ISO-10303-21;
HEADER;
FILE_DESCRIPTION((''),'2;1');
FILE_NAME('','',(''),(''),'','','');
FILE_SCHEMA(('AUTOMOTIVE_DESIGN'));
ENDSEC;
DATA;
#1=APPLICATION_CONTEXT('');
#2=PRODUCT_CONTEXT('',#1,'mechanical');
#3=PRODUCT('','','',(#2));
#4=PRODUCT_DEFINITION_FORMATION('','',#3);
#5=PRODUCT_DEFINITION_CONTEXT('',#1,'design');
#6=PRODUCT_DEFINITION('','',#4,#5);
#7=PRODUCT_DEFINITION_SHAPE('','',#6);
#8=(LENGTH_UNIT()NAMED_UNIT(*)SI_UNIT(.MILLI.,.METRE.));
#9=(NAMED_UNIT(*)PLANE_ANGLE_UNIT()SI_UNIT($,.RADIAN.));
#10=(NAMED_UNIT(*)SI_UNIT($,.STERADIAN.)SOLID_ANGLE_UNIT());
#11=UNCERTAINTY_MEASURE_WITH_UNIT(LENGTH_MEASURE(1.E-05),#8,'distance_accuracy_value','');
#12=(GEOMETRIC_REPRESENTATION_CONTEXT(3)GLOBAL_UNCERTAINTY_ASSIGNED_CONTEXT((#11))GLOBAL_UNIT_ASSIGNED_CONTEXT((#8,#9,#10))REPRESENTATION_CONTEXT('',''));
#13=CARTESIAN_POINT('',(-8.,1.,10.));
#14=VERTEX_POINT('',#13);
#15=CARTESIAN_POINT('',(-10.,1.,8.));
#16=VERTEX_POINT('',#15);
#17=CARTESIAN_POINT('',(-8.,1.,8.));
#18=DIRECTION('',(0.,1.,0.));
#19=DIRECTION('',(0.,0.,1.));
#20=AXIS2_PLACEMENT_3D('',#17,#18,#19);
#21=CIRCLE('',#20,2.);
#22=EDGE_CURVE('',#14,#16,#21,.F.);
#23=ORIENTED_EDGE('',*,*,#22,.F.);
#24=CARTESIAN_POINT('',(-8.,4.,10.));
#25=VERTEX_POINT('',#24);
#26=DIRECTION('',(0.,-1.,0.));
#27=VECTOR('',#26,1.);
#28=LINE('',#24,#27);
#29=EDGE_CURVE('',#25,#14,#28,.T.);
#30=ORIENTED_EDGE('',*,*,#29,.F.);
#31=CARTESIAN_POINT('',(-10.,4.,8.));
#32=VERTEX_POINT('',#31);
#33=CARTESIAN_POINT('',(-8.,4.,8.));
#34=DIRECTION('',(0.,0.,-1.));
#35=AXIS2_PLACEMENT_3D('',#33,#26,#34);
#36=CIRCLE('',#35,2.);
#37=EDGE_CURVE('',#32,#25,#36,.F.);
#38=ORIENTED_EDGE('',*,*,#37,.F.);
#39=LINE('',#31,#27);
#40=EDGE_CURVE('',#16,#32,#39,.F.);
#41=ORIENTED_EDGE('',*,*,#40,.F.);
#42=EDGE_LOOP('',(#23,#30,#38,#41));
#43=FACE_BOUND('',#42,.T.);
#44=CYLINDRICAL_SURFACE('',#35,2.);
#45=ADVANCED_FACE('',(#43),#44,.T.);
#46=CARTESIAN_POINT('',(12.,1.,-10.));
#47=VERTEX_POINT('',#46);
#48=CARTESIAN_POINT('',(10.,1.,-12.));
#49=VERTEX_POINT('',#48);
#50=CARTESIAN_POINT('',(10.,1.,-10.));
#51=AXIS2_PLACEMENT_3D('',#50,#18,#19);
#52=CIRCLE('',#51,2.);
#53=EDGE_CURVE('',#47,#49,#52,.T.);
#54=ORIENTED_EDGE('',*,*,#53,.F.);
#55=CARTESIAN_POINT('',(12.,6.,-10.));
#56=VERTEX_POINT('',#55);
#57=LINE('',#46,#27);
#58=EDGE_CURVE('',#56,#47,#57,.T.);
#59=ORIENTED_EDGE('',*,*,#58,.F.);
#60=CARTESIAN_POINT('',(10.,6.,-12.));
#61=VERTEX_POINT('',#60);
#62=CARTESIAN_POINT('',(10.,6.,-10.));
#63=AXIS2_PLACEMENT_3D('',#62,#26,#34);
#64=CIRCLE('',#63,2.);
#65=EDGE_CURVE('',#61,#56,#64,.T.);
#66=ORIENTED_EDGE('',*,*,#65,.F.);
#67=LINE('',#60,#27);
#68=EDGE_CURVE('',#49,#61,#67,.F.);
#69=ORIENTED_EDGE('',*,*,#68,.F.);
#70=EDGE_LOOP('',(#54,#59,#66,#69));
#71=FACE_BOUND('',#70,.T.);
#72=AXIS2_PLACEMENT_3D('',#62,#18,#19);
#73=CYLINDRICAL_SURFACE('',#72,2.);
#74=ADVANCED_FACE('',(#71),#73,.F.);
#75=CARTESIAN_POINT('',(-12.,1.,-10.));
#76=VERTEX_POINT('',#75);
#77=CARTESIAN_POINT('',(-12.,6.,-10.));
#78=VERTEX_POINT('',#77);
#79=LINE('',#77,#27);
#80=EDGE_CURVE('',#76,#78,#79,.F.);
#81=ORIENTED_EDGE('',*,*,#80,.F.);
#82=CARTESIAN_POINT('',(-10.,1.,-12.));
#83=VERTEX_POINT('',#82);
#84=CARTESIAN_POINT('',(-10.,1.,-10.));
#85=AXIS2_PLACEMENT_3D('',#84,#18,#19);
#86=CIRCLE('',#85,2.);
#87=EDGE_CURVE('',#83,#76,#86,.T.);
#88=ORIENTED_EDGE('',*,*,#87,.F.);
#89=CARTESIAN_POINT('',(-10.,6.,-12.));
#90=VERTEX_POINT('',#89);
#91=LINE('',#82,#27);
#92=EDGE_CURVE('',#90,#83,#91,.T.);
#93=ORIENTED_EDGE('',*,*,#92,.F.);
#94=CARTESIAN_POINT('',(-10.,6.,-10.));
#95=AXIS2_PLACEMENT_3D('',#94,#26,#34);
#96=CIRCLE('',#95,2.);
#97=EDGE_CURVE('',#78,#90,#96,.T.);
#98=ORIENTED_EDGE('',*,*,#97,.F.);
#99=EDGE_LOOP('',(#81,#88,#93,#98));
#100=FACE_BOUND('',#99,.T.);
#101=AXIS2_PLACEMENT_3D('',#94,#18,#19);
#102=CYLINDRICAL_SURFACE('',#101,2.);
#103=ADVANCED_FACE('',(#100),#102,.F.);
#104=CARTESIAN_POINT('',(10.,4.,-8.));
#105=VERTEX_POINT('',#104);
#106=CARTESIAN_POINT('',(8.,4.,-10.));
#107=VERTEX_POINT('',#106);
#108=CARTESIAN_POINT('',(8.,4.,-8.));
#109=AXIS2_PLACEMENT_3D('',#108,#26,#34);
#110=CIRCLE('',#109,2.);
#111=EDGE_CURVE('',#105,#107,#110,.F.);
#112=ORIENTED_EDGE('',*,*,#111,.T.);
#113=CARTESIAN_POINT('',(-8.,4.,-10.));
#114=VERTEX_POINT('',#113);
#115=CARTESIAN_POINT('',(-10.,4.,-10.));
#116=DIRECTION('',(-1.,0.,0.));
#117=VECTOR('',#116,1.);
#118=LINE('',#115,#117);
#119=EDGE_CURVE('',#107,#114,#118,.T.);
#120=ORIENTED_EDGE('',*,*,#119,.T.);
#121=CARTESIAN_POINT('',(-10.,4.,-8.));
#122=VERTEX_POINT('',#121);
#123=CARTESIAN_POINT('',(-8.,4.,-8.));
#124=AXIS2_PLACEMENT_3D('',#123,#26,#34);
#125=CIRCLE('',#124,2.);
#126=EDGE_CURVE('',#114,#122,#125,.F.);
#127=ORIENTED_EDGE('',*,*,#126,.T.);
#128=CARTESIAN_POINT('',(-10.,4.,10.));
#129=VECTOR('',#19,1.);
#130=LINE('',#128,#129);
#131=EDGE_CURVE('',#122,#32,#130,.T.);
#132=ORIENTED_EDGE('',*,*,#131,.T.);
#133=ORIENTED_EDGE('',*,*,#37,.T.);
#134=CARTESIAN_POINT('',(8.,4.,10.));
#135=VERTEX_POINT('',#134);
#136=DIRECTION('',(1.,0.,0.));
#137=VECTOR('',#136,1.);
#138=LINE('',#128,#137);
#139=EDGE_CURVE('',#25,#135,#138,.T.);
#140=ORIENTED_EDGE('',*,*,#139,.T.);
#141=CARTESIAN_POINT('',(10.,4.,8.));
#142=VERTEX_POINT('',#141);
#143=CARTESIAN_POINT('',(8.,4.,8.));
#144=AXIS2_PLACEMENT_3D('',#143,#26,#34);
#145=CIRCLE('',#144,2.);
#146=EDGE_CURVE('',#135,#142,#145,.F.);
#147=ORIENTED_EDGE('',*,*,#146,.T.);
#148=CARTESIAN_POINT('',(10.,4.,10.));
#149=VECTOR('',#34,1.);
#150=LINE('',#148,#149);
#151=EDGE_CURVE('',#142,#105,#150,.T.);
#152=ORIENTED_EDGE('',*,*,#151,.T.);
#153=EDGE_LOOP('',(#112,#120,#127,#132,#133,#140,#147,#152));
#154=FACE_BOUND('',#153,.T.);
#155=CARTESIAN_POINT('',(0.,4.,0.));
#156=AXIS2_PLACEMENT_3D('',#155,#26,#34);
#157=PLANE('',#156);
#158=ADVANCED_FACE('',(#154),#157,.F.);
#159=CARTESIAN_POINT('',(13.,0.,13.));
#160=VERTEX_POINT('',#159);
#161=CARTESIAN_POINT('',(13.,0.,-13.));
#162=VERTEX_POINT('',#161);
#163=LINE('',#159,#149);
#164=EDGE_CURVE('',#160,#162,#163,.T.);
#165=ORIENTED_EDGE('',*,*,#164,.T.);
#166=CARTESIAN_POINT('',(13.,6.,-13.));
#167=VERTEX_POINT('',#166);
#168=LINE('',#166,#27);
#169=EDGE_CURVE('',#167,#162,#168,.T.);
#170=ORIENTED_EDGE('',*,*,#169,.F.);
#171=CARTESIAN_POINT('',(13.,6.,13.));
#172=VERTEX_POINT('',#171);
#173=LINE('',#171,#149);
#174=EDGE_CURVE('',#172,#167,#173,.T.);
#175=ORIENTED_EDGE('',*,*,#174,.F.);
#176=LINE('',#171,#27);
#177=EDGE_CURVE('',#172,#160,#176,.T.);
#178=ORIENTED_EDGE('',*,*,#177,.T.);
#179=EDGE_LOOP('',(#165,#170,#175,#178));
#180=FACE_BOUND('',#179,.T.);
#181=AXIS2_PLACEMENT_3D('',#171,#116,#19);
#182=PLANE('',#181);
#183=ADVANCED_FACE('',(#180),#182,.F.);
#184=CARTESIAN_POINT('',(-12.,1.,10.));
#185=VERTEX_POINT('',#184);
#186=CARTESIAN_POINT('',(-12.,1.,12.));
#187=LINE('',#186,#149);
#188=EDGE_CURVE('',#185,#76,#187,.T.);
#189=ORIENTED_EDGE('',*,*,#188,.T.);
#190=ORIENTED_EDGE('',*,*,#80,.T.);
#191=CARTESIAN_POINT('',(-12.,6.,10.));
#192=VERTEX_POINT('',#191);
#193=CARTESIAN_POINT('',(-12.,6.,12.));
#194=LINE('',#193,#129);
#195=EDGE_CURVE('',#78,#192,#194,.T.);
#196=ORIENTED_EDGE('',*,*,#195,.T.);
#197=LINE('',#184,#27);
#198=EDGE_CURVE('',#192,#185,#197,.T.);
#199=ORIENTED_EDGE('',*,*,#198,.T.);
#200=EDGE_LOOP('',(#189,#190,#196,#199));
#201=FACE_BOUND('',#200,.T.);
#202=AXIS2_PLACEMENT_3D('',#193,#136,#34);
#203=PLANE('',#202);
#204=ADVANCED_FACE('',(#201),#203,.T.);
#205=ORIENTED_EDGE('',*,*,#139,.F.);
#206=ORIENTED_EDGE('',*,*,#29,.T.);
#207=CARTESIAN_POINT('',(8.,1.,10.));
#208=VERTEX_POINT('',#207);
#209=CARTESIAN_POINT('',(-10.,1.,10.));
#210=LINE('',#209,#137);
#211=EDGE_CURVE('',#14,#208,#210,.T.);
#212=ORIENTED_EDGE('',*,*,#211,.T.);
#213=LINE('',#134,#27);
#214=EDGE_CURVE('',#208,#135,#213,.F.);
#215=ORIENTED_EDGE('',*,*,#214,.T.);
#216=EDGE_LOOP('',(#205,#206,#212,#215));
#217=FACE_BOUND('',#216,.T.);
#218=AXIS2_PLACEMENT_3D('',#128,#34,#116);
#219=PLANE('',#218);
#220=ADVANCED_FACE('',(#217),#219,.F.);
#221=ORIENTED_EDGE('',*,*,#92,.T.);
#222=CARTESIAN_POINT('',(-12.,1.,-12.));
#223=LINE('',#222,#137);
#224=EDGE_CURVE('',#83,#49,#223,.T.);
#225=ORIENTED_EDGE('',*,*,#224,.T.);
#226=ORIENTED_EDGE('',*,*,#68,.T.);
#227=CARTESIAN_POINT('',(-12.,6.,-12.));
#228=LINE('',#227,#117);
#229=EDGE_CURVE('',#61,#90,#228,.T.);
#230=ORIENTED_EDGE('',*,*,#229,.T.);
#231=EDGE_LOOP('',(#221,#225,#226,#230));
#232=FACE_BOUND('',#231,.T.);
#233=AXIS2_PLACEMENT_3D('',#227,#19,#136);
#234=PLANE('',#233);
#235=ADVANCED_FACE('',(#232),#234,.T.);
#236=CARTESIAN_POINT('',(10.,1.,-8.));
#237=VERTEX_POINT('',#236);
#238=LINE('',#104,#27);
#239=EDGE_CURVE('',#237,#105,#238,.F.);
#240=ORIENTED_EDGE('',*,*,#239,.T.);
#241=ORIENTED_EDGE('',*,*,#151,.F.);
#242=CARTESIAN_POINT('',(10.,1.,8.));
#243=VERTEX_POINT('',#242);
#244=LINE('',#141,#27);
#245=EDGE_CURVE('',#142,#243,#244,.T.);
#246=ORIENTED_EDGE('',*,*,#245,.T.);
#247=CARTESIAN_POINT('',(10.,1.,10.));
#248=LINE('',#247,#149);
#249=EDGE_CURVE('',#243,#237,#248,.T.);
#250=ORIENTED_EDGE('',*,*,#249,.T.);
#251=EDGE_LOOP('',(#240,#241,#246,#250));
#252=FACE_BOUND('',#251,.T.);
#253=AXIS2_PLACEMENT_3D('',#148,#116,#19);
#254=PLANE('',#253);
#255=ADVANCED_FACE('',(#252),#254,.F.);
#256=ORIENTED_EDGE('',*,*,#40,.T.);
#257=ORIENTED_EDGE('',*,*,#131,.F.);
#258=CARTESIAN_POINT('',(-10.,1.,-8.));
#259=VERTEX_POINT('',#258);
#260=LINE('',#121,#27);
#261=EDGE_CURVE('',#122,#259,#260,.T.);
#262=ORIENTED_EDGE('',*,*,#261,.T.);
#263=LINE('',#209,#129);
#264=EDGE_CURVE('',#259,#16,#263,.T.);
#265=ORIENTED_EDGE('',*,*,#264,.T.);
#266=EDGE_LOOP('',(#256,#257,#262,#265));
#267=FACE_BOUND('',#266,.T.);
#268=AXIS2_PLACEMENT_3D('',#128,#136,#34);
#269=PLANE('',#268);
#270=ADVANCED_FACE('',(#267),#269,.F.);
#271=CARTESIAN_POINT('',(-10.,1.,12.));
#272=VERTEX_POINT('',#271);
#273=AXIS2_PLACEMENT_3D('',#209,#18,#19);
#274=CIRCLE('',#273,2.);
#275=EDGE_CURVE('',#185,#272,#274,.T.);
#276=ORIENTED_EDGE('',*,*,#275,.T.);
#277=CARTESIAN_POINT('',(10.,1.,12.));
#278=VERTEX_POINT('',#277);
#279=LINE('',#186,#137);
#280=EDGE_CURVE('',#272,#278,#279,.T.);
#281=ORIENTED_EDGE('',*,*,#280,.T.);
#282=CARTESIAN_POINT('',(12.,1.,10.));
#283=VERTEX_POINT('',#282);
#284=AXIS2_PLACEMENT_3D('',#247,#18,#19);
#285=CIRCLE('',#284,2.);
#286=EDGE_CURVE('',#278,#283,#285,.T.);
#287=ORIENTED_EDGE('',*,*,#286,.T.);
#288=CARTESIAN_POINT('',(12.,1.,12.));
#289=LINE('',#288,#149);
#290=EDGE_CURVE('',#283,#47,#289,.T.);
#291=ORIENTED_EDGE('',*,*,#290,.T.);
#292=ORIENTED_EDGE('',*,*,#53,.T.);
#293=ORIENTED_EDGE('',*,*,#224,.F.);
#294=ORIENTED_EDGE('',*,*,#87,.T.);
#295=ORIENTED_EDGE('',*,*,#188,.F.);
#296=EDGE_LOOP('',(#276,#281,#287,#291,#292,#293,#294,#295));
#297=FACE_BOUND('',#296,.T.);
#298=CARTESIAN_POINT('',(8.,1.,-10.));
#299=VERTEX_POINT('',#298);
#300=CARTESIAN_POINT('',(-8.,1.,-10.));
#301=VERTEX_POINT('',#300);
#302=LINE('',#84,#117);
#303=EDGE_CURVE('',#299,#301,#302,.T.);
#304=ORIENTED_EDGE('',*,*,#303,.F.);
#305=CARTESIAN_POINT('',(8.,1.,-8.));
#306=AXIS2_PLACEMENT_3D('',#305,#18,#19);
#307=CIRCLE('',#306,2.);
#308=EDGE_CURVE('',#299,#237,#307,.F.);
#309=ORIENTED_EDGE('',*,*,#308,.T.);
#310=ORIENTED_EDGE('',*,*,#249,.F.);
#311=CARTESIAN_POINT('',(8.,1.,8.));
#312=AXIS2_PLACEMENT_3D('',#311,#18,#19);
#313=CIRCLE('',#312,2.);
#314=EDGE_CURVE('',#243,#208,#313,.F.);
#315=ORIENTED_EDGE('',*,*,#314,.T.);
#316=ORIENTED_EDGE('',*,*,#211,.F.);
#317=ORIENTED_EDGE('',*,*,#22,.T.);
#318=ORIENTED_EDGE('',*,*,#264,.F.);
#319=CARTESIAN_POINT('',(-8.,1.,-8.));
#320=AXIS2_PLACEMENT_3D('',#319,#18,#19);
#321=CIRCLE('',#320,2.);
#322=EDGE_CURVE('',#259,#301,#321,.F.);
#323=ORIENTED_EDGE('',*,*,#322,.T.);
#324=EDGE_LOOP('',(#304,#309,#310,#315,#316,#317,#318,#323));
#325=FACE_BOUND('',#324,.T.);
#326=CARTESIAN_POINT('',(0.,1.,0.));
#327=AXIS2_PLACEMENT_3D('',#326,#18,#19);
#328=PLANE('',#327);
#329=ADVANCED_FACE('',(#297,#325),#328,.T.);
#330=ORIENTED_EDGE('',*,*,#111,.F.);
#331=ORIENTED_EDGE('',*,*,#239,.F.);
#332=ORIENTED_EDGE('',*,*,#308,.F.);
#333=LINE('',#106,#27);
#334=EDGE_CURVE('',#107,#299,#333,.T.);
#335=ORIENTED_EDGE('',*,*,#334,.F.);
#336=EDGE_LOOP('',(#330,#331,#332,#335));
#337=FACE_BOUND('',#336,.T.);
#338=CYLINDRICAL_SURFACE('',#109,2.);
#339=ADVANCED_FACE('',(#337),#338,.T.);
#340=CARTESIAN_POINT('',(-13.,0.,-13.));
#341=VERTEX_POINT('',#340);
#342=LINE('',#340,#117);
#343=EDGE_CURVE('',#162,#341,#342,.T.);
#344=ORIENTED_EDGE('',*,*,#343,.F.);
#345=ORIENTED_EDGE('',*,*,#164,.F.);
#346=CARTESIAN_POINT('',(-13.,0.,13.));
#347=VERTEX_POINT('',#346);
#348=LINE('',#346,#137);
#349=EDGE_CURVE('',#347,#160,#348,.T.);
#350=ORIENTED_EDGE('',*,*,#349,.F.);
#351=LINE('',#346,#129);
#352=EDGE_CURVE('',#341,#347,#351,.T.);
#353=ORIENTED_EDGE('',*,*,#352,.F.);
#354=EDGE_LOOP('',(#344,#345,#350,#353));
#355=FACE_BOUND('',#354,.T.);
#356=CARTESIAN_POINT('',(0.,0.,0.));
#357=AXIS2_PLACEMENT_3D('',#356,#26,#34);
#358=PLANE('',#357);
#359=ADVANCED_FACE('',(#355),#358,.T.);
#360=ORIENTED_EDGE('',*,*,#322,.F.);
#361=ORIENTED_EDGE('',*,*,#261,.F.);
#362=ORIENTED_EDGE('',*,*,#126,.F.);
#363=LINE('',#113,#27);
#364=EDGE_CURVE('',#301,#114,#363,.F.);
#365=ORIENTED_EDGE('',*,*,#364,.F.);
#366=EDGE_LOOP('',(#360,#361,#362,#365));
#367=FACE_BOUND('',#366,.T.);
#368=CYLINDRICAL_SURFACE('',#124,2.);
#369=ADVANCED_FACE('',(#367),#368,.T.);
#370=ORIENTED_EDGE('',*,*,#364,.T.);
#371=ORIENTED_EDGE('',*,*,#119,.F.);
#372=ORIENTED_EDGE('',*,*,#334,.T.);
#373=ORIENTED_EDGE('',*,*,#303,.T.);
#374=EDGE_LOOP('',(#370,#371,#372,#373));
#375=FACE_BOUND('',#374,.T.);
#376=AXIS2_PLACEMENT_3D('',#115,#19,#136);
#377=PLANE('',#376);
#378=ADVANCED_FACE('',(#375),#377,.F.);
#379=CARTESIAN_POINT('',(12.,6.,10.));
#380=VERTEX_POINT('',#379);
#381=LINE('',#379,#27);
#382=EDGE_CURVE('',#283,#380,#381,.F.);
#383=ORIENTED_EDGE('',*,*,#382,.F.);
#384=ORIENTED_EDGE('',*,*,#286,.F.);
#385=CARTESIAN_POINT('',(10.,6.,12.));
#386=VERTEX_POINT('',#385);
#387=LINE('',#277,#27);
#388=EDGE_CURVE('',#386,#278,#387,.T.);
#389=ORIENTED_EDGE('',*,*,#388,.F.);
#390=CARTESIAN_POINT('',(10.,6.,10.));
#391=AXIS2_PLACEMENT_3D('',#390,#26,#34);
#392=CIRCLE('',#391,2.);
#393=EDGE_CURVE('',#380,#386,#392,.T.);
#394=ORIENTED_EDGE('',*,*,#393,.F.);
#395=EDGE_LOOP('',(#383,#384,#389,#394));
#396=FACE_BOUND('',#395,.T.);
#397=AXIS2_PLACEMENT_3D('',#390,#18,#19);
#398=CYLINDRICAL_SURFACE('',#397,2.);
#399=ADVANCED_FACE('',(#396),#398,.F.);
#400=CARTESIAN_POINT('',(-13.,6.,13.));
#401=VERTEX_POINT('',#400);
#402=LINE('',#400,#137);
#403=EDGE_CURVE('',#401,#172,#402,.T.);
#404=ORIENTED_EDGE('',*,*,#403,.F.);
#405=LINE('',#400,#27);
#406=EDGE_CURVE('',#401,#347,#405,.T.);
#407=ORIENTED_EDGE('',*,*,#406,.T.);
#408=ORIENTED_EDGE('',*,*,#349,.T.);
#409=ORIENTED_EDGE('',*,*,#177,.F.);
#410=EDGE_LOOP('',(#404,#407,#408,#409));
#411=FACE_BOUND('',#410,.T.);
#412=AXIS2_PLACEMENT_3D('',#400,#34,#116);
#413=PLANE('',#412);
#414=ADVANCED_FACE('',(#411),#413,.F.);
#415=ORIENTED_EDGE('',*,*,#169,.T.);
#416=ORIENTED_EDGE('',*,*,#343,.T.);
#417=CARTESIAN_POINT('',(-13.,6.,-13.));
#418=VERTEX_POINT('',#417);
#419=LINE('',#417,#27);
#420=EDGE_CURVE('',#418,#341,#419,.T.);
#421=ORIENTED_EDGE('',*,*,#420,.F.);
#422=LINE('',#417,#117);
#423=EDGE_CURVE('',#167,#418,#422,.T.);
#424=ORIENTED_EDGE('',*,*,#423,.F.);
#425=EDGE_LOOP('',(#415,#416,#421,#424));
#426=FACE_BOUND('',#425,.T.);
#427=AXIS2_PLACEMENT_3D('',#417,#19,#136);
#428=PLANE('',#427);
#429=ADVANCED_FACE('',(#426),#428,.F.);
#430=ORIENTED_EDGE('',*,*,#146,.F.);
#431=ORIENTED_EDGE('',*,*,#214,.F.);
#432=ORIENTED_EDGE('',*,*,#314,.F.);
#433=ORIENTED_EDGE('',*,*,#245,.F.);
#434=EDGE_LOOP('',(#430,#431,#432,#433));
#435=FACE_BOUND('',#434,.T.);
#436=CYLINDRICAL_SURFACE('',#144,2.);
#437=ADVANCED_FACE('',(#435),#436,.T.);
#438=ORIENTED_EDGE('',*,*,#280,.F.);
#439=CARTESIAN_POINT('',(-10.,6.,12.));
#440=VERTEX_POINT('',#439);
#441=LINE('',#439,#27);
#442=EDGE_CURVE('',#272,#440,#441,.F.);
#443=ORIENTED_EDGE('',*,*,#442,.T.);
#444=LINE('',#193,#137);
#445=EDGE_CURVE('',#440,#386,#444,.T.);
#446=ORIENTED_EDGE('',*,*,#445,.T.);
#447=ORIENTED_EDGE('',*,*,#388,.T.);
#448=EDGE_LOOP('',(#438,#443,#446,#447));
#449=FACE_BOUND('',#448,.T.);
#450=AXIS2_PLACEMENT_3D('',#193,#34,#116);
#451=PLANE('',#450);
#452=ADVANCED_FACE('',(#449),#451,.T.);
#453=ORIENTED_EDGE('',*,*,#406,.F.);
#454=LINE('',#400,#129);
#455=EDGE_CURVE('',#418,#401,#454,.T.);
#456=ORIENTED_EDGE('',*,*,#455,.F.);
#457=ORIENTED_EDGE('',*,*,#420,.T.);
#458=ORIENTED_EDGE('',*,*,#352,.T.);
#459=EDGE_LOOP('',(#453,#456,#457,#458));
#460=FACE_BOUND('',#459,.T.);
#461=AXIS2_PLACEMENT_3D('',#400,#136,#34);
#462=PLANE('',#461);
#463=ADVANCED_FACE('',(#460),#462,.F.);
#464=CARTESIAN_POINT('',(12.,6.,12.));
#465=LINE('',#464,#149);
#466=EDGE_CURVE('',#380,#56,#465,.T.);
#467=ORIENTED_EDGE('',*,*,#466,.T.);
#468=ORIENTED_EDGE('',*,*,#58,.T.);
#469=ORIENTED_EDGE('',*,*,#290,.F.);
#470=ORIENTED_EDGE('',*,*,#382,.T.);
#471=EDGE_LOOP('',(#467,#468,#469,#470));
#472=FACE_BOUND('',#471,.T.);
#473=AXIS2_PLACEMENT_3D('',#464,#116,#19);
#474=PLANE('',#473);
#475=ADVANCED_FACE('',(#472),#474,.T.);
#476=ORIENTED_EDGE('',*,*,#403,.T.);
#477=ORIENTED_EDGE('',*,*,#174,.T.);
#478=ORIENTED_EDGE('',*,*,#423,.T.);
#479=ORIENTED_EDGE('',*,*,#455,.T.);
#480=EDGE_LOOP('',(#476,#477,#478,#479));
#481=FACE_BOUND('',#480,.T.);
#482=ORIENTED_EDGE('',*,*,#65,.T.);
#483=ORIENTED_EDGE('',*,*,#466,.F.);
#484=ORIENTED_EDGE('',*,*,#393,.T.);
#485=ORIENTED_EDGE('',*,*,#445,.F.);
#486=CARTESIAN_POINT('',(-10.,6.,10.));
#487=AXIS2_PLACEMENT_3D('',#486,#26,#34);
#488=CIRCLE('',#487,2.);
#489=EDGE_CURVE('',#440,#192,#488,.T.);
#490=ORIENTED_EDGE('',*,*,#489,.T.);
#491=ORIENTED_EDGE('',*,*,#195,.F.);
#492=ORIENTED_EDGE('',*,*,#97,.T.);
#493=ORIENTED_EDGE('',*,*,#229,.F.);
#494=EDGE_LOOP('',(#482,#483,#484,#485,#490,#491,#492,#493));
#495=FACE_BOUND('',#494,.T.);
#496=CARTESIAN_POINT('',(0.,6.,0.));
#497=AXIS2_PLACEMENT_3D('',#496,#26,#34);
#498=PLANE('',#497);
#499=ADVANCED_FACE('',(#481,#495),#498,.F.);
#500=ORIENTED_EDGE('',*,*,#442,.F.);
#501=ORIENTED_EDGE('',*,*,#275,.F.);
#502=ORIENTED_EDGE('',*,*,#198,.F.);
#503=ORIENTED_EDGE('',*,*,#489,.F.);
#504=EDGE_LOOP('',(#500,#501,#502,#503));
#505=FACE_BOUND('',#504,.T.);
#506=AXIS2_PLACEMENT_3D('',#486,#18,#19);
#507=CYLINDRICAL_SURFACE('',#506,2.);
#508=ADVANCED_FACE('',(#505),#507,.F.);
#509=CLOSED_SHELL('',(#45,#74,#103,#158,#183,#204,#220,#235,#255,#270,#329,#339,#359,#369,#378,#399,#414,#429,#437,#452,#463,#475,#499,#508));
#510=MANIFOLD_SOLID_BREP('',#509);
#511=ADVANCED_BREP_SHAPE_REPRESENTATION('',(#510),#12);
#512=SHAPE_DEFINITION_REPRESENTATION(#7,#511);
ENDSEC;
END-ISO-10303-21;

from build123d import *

# Parameters (mm, degrees)
SKETCH1_W           = 20
SKETCH1_H           = 20
BOSS_EXTRUDE1_DEPTH = 4
SKETCH2_W           = 24
SKETCH2_H           = 24
BOSS_EXTRUDE2_DEPTH = 1
SKETCH2_3_W         = 26
SKETCH2_3_H         = 26
SKETCH2_3_W_2       = 24
SKETCH2_3_H_2       = 24
BOSS_EXTRUDE3_DEPTH = 6
FILLET1_R           = 2
FILLET2_R           = 2


with BuildPart() as part:
    # Sketch1 → Boss-Extrude1 (new body)
    with BuildSketch(Plane(origin=(0, 0, 0), x_dir=(1, 0, 0), z_dir=(0, 1, 0))):
        Rectangle(SKETCH1_W, SKETCH1_H)
    extrude(amount=BOSS_EXTRUDE1_DEPTH)

    # Sketch2 → Boss-Extrude2 (add)
    with BuildSketch(Plane(origin=(0, 0, 0), x_dir=(1, 0, 0), z_dir=(0, 1, 0))):
        Rectangle(SKETCH2_W, SKETCH2_H)
    extrude(amount=BOSS_EXTRUDE2_DEPTH)

    # Sketch2<3> → Boss-Extrude3 (add)
    with BuildSketch(Plane(origin=(0, 0, 0), x_dir=(1, 0, 0), z_dir=(0, 1, 0))):
        Rectangle(SKETCH2_3_W, SKETCH2_3_H)
        Rectangle(SKETCH2_3_W_2, SKETCH2_3_H_2, mode=Mode.SUBTRACT)
    extrude(amount=BOSS_EXTRUDE3_DEPTH)

    # Fillet1
    fillet1_edges = [part.edges().sort_by_distance(p)[0] for p in [
        (10, 2.5, 10),
        (-10, 2.5, 10),
        (-10, 2.5, -10),
        (10, 2.5, -10),
    ]]
    fillet(fillet1_edges, radius=FILLET1_R)

    # Fillet2
    fillet2_edges = [part.edges().sort_by_distance(p)[0] for p in [
        (12, 3.5, -12),
        (-12, 3.5, -12),
        (-12, 3.5, 12),
        (12, 3.5, 12),
    ]]
    fillet(fillet2_edges, radius=FILLET2_R)


solid = part.part
